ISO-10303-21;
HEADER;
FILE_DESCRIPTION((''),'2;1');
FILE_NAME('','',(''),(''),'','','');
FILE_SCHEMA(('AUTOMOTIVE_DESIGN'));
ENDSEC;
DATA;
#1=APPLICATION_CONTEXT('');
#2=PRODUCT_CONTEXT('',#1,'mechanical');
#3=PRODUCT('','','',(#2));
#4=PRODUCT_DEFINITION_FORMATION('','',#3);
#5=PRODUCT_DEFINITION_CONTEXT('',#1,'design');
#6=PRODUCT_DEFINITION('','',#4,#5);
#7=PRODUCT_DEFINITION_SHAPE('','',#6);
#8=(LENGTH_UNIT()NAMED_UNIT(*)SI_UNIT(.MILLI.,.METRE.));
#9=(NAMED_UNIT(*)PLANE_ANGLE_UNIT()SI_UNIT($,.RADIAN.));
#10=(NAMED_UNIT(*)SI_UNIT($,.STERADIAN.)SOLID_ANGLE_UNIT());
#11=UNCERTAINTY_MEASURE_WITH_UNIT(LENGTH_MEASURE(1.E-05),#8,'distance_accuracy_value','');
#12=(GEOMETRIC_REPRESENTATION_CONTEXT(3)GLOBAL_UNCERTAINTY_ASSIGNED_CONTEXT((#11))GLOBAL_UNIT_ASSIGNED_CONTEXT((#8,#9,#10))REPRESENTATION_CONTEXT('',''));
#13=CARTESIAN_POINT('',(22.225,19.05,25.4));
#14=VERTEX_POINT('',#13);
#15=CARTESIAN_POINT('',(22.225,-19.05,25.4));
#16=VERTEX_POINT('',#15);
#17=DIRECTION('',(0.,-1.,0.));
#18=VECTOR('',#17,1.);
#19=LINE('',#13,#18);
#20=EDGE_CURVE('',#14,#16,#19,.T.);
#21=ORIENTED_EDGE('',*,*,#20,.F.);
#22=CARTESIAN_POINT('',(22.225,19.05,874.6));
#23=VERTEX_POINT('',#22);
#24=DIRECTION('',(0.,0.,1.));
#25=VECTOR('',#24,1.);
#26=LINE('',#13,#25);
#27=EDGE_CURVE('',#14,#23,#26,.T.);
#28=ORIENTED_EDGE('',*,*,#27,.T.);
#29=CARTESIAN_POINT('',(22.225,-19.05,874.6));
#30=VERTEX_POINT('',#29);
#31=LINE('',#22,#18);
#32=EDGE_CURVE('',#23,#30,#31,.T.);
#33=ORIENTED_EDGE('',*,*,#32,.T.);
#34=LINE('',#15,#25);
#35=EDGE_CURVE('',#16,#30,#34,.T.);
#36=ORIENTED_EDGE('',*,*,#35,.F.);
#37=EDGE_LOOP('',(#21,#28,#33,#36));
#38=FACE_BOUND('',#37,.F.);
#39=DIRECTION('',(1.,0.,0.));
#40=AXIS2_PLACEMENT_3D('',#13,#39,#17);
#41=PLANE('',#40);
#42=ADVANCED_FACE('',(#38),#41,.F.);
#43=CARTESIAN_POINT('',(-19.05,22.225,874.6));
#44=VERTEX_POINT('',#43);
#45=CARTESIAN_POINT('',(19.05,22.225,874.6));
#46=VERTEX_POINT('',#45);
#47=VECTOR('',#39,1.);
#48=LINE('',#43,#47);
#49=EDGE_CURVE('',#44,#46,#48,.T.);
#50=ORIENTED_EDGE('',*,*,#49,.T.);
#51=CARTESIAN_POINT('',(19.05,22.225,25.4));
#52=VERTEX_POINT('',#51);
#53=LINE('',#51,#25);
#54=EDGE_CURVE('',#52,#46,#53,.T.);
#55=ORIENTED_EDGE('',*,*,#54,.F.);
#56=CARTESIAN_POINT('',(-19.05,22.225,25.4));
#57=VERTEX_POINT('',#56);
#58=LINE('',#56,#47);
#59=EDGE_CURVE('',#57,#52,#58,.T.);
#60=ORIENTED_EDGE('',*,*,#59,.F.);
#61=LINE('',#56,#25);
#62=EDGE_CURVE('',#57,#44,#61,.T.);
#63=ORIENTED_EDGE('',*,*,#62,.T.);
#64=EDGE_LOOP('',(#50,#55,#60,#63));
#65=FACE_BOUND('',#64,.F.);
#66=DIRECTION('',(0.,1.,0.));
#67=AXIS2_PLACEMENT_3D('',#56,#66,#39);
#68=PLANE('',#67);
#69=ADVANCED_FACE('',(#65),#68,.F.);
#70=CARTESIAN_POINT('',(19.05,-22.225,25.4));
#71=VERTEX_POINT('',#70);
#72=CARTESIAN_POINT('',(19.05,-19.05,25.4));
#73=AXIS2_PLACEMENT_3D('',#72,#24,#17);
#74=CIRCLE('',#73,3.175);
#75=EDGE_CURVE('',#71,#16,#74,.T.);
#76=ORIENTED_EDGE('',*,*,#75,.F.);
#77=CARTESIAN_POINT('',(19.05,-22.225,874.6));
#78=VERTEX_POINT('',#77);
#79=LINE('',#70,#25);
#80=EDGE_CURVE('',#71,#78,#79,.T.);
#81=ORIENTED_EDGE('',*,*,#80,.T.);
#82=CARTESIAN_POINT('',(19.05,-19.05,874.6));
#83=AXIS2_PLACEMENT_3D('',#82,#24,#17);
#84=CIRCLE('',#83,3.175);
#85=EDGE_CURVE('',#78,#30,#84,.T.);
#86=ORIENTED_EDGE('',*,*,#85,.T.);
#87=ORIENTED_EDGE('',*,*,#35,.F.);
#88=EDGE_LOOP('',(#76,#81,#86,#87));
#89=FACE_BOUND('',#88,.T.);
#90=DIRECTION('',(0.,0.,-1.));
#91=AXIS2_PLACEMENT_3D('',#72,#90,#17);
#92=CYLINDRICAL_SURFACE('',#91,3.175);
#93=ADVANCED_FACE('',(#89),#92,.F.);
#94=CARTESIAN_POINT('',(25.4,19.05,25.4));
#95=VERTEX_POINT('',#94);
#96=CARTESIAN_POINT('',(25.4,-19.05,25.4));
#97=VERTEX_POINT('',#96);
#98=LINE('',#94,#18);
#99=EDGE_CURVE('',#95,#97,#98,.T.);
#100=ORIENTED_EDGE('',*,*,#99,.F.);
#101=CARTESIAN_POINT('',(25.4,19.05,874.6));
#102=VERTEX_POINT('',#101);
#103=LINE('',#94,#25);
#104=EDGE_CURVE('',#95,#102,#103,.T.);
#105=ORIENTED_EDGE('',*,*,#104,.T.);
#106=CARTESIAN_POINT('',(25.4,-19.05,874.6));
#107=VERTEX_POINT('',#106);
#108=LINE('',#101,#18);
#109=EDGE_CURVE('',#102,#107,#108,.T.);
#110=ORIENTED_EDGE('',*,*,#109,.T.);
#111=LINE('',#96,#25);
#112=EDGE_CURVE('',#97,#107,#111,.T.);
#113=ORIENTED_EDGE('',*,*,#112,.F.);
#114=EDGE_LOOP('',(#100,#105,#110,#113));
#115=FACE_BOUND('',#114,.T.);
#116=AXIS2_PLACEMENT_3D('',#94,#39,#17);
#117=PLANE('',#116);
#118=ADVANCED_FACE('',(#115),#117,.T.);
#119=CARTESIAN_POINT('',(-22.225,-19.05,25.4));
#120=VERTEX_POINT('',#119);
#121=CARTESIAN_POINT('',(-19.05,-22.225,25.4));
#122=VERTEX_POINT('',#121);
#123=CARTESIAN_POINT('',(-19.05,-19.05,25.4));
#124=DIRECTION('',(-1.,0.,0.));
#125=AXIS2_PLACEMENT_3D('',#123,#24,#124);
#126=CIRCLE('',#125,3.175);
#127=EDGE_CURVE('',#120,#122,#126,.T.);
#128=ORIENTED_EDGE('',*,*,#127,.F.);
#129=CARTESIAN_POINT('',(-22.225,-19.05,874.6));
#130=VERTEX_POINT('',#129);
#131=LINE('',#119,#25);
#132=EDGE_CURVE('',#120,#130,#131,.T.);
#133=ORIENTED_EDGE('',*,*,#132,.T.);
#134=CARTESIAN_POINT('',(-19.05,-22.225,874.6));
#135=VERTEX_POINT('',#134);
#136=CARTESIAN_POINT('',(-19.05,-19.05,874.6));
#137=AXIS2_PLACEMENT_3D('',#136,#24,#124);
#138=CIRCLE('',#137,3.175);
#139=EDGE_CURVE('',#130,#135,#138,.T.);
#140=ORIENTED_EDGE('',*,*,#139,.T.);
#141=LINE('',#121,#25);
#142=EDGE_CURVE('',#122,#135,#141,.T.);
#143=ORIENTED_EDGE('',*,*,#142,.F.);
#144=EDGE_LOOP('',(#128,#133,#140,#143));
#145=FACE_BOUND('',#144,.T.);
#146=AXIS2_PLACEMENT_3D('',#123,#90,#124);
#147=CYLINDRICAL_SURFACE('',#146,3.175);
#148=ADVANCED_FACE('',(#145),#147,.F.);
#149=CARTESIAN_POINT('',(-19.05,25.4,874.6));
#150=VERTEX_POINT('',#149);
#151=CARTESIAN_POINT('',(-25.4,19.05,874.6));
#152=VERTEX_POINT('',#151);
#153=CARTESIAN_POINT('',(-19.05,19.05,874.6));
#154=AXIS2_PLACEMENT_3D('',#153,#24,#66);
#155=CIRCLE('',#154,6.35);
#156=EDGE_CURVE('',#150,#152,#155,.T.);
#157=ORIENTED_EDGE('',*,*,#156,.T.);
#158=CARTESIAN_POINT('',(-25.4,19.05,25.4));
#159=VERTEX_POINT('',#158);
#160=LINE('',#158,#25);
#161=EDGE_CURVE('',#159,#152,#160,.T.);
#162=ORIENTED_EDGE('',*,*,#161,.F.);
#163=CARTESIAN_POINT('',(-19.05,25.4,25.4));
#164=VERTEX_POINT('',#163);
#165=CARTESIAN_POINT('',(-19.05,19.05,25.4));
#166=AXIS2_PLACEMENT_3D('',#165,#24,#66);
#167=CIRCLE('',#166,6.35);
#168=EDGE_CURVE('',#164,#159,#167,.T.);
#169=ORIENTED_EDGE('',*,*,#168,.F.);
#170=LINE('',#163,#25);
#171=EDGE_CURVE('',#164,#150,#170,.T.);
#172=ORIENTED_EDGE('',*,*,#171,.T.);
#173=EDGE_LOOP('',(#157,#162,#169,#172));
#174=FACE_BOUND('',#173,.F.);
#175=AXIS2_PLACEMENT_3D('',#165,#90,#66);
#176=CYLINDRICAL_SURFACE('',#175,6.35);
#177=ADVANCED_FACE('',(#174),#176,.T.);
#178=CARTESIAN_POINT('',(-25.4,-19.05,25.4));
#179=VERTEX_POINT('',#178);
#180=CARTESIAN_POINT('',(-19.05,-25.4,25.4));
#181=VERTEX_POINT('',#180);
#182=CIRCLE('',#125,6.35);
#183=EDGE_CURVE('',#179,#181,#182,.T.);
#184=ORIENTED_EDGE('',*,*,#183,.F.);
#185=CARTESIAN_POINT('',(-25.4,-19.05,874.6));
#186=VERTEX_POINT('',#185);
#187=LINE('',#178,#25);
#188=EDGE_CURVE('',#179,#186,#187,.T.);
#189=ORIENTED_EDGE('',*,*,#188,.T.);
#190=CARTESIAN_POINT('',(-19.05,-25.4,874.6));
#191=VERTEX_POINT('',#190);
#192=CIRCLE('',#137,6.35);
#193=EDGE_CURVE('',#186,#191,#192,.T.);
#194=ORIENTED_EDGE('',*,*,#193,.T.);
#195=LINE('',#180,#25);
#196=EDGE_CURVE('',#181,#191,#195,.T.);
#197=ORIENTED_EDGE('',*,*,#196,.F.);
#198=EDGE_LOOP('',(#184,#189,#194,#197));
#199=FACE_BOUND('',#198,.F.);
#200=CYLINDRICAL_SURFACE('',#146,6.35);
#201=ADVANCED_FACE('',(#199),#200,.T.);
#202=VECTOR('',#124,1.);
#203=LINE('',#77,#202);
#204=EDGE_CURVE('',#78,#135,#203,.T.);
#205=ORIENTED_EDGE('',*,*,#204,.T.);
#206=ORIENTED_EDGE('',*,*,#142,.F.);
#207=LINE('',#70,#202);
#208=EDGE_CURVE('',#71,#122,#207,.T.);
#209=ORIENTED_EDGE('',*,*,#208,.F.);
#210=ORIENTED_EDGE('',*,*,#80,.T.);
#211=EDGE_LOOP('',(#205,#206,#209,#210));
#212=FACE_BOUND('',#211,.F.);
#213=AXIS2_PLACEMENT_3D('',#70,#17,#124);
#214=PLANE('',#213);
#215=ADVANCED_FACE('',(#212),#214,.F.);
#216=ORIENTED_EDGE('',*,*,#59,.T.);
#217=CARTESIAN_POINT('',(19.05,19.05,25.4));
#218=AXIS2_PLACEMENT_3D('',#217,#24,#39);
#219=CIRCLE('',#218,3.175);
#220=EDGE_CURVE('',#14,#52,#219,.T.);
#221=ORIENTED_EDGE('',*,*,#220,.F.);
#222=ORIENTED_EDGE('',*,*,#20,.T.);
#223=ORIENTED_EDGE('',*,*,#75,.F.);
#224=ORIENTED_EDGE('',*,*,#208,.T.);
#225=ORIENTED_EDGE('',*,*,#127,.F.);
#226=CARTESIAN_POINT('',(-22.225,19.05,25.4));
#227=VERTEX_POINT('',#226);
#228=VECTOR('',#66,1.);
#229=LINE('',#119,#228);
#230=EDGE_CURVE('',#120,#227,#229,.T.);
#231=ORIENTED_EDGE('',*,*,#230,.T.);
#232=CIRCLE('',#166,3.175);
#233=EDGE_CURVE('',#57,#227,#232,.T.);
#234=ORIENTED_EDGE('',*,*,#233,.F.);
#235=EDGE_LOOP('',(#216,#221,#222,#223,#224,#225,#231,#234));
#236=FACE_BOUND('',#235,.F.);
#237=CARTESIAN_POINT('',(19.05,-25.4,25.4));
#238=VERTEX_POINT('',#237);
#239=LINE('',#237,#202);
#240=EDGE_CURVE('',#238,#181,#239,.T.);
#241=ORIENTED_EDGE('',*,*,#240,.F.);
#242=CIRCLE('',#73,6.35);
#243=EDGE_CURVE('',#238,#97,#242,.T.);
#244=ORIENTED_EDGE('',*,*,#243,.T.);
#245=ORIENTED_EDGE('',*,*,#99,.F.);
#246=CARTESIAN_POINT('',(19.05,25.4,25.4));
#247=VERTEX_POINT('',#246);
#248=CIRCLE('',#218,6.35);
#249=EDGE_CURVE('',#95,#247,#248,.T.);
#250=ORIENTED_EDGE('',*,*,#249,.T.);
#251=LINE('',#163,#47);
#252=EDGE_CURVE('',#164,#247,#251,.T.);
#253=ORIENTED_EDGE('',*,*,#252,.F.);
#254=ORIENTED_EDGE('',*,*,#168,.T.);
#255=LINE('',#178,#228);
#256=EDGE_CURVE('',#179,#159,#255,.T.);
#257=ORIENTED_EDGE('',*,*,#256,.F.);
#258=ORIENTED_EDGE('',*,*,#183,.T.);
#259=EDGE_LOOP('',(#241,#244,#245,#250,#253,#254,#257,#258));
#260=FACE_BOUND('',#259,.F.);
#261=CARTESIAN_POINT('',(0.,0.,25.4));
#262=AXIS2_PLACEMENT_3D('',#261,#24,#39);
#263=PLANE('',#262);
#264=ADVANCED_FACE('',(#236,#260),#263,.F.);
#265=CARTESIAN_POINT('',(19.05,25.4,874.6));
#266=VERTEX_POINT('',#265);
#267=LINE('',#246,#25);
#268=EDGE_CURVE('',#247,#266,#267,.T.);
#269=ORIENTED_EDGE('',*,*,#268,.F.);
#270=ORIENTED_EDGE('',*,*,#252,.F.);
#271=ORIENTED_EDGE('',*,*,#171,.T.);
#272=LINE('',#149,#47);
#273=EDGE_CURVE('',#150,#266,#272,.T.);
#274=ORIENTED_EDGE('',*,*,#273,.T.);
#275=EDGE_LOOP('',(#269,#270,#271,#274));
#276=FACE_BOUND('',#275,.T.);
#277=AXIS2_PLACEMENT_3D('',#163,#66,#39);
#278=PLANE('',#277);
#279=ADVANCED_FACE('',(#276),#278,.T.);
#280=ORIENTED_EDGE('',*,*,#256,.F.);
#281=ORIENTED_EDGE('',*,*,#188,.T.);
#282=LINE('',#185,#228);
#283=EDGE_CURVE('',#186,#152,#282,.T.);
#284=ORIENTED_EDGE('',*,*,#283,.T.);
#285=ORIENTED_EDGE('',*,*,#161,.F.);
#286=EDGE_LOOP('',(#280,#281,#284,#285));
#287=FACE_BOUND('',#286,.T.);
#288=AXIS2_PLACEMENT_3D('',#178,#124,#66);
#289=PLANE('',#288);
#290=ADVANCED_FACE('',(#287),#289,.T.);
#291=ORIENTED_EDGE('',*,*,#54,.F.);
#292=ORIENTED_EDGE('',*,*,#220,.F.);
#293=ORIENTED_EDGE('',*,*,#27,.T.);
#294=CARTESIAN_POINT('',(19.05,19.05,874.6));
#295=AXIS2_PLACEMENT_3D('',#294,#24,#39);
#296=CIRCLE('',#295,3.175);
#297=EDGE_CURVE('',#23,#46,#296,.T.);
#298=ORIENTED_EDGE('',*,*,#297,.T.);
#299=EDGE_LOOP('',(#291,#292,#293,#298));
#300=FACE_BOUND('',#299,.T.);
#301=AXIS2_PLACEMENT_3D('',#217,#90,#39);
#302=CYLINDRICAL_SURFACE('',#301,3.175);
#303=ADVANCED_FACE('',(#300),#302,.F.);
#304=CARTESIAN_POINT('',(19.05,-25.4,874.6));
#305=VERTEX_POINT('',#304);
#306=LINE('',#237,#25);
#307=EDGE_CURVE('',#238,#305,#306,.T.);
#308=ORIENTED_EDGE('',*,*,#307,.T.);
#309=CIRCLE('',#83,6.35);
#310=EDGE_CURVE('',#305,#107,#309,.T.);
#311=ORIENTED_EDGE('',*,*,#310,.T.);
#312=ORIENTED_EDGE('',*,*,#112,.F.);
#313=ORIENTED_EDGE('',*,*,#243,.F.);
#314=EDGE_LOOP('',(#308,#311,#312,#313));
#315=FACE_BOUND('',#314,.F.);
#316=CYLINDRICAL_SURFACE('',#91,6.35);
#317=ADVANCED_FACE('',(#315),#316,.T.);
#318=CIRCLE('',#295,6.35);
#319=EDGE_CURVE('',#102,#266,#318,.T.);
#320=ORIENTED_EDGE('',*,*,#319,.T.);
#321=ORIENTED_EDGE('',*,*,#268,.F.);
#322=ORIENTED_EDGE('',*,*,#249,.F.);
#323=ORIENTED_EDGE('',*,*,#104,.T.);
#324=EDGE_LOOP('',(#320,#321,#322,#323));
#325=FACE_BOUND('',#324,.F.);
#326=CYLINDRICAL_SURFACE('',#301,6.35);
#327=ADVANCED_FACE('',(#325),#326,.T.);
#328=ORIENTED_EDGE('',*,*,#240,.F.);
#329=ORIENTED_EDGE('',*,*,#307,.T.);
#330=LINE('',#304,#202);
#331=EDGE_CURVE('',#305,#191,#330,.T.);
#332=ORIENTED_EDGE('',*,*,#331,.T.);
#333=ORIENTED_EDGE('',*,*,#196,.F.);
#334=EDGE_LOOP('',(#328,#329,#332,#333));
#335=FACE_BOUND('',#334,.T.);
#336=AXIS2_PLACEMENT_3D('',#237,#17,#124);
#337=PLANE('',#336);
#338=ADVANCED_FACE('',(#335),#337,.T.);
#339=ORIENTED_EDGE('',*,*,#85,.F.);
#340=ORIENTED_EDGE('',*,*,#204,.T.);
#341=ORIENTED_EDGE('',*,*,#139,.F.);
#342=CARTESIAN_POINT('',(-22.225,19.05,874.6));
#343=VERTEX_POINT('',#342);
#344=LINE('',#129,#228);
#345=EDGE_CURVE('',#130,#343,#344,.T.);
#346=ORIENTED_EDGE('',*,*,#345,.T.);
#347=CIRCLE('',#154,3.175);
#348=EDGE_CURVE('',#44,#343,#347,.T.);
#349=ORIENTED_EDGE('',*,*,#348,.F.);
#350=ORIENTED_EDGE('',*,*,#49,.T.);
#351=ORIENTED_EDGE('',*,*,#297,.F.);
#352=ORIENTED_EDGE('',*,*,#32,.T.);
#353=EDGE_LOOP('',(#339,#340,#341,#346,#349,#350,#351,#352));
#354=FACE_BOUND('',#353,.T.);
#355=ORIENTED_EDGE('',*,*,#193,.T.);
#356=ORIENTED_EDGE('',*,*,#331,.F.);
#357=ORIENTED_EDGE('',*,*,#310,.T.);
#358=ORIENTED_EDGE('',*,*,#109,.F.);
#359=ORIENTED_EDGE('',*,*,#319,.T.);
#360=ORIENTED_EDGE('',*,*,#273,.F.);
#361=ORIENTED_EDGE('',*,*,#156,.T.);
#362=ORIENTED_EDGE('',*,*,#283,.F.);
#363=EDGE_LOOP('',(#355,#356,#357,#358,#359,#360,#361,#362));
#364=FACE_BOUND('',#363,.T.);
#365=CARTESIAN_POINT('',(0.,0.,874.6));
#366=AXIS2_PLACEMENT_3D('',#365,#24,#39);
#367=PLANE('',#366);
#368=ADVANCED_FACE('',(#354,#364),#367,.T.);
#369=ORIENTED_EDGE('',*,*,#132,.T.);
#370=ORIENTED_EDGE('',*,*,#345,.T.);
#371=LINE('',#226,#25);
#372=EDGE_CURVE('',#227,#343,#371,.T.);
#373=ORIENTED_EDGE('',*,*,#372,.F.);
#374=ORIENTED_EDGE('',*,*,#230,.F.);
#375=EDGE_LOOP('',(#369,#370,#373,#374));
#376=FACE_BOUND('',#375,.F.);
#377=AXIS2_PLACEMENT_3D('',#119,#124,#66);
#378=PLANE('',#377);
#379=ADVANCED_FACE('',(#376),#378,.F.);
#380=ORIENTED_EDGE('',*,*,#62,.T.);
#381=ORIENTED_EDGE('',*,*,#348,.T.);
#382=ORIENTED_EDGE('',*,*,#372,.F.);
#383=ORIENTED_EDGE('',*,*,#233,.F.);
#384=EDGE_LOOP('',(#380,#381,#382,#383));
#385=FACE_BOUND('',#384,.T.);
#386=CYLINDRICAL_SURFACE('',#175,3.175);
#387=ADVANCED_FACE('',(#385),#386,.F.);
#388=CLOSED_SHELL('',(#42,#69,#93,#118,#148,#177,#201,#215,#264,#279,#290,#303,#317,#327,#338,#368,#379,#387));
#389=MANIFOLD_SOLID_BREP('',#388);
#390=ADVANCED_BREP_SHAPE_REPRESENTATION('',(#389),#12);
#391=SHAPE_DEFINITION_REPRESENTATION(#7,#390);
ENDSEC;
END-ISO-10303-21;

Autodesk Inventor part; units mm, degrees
ref_plane "Plano inicial" through (0, 0, 25.4) normal (0, 0, 1) x (1, 0, 0)
ref_plane "Plano final" through (0, 0, 874.6) normal (0, 0, 1) x (1, 0, 0)
sketch "Boceto" plane through (0, 0, 0) normal (0, 0, 1) x (1, 0, 0)
  line L0 (-25.4, -19.05) -> (-25.4, 19.05)
  line L1 (-19.05, 25.4) -> (19.05, 25.4)
  line L2 (25.4, 19.05) -> (25.4, -19.05)
  line L3 (19.05, -25.4) -> (-19.05, -25.4)
  arc A0 (-25.4, -19.05) -> (-19.05, -25.4) centre (-19.05, -19.05) ccw
  arc A1 (-19.05, 25.4) -> (-25.4, 19.05) centre (-19.05, 19.05) ccw
  arc A2 (25.4, 19.05) -> (19.05, 25.4) centre (19.05, 19.05) ccw
  arc A3 (19.05, -25.4) -> (25.4, -19.05) centre (19.05, -19.05) ccw
  arc A4 (-19.05, 22.225) -> (-22.225, 19.05) centre (-19.05, 19.05) ccw
  line L4 (-19.05, 22.225) -> (19.05, 22.225)
  arc A5 (22.225, 19.05) -> (19.05, 22.225) centre (19.05, 19.05) ccw
  line L5 (22.225, 19.05) -> (22.225, -19.05)
  arc A6 (19.05, -22.225) -> (22.225, -19.05) centre (19.05, -19.05) ccw
  line L6 (19.05, -22.225) -> (-19.05, -22.225)
  arc A7 (-22.225, -19.05) -> (-19.05, -22.225) centre (-19.05, -19.05) ccw
  line L7 (-22.225, -19.05) -> (-22.225, 19.05)
  line L8 (0, 37.4012) -> (0, -37.4012) construction
  line L9 (-37.4012, 0) -> (37.4012, 0) construction
  dimension "d10" = 50.8
  dimension "d11" = 50.8
  dimension "d12" = 3.175
  dimension "d15" = 25.4
  dimension "d16" = 25.4
  dimension "d17" = 6.35
extrude "Cuerpo" add sketch "Boceto" along normal up to surface (849.2 mm away) from surface at 25.4
sketch "Sketch3" plane through (0, 0, 0) normal (0, 0, 1) x (1, 0, 0)
  line L0 (0, 0) -> (10, 0)
ref_plane "Work Plane3" through (0, 0, 0) normal (0, -1, 0) x (1, 0, 0)
ref_plane "Plano de trabajo4" through (-19.05, -200, 874.6) normal (0, 0, 1) x (1, 0, 0)
split "Dividir1" plane through (-19.05, -200, 874.6) removes the side toward (0, 0, 1)
ref_plane "Plano de trabajo5" through (-19.05, 1890, 25.4) normal (0, 0, -1) x (-1, 0, 0)
split "Dividir2" plane through (-19.05, 1890, 25.4) removes the side toward (0, 0, -1)
sketch "Sketch4" plane through (0, 0, 0) normal (0, -1, 0) x (1, 0, 0)
  line L0 (-2, 25.4) -> (12, 25.4) projected
  line L1 (-2, 874.6) -> (12, 874.6) projected
  dimension "d19" = 849.2
equation "\"d10\" = G_H"
equation "\"d11\" = G_W"
equation "\"d12\" = G_T"
equation "\"d15\" = 0.5 * d10"
equation "\"d16\" = 0.5 * d11"
equation "\"d17\" = G_IR"
equation "\"d3\" = G_L"
equation "\"G_W\" = 50.8"
equation "\"G_H\" = 50.8"
equation "\"G_T\" = 3.175"
equation "\"G_IR\" = 6.35"
equation "\"G_L\" = d19"
equation "\"G_OFFSET_START\" = -25.4"
equation "\"G_OFFSET_END\" = -25.4"
equation "\"d13\" = -G_OFFSET_START"
equation "\"d14\" = G_OFFSET_END + B_L"
equation "\"B_L\" = 900"
properties part number "AISC - 2 x 2 x 1/8 - 33,433" material "Acero, suave"
